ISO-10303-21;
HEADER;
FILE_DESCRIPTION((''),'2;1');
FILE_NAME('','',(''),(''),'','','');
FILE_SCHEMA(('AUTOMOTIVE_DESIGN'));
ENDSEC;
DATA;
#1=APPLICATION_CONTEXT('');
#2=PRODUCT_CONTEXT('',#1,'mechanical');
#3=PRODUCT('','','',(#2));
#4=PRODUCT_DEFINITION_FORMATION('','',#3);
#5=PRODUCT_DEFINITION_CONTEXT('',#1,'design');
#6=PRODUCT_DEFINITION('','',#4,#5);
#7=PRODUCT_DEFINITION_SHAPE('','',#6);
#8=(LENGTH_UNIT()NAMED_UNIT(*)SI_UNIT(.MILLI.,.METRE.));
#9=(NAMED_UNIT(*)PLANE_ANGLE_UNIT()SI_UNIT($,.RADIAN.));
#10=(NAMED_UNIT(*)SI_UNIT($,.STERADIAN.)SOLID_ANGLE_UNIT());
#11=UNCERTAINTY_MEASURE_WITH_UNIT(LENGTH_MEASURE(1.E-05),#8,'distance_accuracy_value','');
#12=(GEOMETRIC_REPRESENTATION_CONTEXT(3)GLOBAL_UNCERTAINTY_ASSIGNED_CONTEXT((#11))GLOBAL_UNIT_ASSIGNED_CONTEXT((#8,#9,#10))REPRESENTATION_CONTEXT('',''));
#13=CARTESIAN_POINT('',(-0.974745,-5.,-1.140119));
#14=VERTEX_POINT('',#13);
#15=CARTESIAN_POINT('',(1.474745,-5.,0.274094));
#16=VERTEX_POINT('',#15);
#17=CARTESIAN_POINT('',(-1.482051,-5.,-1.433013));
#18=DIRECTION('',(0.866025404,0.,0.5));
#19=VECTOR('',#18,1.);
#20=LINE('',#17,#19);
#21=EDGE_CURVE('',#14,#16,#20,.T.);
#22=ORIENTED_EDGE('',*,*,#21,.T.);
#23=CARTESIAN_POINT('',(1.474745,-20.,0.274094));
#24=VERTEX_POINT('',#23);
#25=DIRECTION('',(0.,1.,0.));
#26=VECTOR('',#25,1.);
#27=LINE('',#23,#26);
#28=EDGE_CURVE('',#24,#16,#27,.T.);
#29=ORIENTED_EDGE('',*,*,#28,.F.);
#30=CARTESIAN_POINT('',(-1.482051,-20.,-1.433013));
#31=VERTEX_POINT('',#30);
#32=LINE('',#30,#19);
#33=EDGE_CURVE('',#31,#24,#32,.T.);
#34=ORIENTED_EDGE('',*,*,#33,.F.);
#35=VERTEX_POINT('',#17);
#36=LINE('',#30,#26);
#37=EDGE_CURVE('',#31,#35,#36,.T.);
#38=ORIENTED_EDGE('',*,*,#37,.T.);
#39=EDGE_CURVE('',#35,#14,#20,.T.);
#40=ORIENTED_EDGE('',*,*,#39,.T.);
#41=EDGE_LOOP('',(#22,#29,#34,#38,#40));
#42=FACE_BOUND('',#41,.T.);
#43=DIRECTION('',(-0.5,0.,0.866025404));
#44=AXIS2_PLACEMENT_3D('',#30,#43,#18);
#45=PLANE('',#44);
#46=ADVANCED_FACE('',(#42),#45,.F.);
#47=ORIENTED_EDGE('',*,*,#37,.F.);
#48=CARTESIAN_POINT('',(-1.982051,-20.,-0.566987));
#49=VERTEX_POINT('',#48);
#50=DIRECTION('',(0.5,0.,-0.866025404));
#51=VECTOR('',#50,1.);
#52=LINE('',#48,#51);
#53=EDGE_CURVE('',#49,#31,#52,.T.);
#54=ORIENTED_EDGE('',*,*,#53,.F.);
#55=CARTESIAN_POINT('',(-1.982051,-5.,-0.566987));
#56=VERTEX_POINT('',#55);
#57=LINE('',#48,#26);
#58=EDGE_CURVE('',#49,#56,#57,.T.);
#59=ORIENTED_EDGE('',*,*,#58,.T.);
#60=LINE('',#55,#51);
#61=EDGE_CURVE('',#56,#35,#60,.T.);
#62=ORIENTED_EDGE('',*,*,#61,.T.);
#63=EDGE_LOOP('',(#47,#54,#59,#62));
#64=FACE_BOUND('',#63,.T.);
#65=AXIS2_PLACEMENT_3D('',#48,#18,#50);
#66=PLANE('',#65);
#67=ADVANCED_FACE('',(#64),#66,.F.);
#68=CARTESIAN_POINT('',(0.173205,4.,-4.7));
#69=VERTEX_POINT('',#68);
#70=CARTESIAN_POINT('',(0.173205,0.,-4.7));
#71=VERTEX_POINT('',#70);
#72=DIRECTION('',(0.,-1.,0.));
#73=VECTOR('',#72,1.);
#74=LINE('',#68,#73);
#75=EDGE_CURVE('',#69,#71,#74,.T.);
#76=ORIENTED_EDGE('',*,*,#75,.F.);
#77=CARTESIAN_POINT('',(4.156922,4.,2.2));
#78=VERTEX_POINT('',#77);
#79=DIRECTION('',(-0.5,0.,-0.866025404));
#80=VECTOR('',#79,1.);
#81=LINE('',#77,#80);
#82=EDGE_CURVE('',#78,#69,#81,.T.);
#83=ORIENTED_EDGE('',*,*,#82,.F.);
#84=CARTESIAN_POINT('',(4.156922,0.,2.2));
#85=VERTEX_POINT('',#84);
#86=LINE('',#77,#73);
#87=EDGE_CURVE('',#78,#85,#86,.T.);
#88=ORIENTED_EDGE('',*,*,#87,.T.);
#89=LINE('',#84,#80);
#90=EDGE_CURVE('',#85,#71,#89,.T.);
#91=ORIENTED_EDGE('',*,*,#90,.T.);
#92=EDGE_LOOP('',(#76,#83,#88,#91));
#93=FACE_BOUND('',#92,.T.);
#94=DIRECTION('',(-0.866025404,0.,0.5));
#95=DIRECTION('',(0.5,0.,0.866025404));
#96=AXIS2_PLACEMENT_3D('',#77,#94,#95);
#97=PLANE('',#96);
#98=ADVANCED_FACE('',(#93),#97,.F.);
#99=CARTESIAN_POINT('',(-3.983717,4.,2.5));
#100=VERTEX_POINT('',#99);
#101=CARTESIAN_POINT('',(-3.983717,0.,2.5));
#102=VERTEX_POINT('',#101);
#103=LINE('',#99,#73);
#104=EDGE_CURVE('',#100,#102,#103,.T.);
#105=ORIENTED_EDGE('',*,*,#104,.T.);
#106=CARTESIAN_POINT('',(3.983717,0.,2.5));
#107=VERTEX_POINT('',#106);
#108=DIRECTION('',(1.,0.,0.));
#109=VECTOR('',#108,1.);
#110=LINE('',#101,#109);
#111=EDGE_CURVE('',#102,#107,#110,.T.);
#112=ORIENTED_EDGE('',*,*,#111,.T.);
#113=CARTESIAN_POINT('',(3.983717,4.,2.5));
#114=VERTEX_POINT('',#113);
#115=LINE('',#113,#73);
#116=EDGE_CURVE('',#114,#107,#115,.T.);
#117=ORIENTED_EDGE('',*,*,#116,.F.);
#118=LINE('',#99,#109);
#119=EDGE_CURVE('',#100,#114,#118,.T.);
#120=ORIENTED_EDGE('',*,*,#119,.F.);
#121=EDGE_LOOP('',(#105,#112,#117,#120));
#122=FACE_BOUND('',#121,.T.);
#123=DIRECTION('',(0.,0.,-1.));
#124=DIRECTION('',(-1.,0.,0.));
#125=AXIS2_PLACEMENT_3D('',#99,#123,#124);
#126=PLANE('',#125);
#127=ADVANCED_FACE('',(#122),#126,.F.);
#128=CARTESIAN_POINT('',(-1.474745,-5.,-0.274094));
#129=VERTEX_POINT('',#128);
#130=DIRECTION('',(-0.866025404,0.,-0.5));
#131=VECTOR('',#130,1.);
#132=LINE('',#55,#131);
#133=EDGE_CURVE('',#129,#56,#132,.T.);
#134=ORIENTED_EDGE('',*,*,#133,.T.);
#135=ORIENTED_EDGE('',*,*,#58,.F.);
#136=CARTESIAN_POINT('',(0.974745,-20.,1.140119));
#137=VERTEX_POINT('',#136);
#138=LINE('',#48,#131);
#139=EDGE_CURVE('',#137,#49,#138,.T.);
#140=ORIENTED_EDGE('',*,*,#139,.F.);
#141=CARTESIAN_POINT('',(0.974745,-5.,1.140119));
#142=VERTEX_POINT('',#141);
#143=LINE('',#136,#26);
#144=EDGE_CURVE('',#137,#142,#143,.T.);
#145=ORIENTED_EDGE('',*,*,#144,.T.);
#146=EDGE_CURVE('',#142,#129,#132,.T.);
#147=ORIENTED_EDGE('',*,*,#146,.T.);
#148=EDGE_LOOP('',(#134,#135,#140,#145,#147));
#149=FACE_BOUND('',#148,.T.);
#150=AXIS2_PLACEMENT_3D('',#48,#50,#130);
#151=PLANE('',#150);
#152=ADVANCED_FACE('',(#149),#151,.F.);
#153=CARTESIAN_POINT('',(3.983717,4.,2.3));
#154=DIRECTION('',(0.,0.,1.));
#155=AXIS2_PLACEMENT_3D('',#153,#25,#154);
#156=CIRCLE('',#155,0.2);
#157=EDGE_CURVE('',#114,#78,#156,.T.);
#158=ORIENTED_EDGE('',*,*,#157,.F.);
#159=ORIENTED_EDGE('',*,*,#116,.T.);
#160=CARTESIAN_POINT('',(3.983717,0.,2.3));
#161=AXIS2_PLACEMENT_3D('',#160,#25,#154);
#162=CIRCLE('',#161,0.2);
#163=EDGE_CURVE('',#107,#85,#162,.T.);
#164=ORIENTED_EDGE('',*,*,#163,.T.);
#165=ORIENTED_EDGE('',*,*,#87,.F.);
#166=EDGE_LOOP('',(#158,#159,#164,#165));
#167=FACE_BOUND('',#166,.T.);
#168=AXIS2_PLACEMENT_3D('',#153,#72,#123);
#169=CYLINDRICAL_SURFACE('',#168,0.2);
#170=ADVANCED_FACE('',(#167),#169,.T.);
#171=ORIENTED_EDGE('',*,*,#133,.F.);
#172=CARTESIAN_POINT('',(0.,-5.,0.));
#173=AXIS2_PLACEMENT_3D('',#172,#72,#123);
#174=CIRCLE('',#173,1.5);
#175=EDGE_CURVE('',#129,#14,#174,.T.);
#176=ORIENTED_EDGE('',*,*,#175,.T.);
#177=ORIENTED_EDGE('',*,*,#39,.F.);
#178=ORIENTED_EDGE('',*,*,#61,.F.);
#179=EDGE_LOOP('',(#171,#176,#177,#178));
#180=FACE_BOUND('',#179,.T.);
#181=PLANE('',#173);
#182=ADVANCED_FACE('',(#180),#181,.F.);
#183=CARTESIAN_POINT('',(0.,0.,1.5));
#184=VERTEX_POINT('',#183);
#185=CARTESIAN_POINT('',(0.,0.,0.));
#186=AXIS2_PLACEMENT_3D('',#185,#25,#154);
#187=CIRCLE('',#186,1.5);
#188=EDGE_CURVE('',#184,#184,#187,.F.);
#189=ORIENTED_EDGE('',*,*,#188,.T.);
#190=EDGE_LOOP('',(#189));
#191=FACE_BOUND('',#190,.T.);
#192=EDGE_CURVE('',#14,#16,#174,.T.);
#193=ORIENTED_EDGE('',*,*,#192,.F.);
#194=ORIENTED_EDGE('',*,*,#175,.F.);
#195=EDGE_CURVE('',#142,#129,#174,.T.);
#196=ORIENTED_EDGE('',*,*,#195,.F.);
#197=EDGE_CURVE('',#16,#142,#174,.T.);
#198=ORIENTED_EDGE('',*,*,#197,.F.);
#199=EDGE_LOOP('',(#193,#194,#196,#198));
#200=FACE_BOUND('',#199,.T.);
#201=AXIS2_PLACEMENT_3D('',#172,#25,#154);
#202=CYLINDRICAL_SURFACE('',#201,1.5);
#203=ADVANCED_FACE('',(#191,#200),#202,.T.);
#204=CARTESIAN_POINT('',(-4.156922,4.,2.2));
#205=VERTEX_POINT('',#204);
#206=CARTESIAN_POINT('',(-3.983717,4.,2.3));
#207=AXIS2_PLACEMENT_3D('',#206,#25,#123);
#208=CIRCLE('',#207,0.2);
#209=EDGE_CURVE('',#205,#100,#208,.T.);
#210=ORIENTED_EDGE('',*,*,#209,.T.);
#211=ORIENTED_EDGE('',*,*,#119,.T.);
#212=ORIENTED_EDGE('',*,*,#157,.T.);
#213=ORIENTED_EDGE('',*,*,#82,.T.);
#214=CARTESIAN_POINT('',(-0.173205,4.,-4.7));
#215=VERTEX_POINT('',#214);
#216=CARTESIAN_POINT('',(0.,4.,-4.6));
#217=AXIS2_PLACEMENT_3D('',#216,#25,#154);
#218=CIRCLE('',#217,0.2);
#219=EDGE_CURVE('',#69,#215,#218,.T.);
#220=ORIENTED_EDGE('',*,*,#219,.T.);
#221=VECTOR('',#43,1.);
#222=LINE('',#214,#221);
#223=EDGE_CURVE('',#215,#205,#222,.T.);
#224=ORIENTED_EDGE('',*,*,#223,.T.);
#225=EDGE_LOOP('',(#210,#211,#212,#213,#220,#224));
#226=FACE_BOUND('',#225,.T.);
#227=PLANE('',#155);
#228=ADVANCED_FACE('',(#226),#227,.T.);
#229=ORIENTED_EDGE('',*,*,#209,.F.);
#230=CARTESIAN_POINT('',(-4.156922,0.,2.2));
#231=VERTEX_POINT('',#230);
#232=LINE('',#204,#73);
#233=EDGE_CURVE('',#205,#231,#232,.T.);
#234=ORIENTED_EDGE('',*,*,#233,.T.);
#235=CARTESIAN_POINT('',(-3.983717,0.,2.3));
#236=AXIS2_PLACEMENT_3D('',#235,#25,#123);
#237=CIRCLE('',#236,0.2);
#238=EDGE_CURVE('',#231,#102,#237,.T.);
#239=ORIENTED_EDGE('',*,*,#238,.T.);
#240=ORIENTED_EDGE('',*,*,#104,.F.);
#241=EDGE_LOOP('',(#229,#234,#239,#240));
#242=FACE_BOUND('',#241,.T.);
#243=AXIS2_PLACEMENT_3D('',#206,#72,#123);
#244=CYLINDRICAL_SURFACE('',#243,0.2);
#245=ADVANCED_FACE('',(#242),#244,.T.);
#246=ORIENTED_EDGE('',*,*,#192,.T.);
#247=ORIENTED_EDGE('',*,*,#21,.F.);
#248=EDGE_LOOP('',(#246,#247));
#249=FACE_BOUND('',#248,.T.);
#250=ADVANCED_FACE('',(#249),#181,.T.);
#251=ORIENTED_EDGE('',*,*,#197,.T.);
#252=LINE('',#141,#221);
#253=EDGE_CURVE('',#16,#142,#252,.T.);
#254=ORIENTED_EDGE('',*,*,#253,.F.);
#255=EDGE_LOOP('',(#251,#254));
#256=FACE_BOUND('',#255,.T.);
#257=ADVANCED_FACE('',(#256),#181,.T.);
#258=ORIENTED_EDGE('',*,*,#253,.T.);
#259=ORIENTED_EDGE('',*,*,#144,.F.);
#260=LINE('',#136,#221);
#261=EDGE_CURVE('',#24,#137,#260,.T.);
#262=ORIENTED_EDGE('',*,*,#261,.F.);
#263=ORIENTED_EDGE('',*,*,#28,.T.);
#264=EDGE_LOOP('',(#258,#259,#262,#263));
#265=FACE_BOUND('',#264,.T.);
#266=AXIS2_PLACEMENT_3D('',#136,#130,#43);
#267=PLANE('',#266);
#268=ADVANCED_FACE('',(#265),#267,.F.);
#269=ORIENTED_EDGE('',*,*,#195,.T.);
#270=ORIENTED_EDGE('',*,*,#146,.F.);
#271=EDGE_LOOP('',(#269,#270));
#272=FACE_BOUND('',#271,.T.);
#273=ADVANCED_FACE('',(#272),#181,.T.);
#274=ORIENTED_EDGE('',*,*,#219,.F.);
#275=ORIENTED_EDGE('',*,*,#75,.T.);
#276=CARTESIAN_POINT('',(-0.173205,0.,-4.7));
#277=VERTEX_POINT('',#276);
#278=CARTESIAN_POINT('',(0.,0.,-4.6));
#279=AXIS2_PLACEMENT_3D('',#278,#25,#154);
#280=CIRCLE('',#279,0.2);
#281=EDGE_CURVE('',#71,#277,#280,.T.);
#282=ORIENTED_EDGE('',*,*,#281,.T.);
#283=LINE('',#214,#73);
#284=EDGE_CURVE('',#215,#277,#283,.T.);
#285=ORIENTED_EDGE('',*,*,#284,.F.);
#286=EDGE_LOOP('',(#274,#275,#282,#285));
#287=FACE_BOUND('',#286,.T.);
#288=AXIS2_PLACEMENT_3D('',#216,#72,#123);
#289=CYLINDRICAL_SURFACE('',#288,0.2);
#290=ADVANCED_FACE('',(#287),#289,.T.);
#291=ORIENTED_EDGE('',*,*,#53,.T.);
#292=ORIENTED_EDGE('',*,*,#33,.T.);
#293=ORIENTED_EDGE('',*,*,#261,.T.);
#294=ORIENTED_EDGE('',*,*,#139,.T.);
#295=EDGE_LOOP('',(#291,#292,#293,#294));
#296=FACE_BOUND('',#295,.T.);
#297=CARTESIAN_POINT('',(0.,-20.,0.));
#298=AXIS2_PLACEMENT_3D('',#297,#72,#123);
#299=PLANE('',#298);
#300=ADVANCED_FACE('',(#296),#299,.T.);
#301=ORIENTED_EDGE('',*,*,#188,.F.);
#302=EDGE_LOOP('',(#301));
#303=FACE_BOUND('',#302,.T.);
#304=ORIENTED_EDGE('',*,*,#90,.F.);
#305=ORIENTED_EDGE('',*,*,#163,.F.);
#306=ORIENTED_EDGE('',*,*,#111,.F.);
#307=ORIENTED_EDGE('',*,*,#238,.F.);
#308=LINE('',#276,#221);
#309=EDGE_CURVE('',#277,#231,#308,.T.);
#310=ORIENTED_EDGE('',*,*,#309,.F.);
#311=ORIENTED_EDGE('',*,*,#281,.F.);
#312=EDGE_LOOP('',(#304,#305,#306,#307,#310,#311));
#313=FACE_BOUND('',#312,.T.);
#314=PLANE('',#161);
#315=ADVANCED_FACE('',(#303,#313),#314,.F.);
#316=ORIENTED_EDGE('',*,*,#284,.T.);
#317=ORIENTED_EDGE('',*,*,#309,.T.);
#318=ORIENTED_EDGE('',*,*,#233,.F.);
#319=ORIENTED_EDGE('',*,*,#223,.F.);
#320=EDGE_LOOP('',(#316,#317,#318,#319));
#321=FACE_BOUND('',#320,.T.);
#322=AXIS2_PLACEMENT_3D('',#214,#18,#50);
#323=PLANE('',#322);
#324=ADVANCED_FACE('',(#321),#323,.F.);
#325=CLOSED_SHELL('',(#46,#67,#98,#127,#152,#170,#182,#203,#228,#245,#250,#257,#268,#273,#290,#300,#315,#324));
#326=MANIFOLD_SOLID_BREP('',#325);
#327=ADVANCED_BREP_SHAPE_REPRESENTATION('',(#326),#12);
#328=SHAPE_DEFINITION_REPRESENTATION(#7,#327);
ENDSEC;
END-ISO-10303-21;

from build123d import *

# Parameters (mm, degrees)
EXTRUDE_1_DEPTH = 4
SKETCH_2_R      = 1.5
EXTRUDE_2_DEPTH = 5
EXTRUDE_3_DEPTH = 15


with BuildPart() as part:
    # 草图1 → 凸台-拉伸1 (new body)
    with BuildSketch(Plane(origin=(0, 0, 0), x_dir=(1, 0, 0), z_dir=(0, 1, 0))):
        with BuildLine():
            Line((-0.173205081, 4.7), (-4.156921938, -2.2))
            ThreePointArc((-4.156921938, -2.2), (-4.156921938, -2.4), (-3.983716857, -2.5))
            Line((-3.983716857, -2.5), (3.983716857, -2.5))
            ThreePointArc((3.983716857, -2.5), (4.156921938, -2.4), (4.156921938, -2.2))
            Line((4.156921938, -2.2), (0.173205081, 4.7))
            ThreePointArc((0.173205081, 4.7), (0, 4.8), (-0.173205081, 4.7))
        make_face()
    extrude(amount=EXTRUDE_1_DEPTH)

    # 草图2 → 凸台-拉伸2 (add)
    with BuildSketch(Plane.XZ):
        with Locations(Location((0, 0, 0), (0, 0, 90))):
            Circle(SKETCH_2_R)
    extrude(amount=EXTRUDE_2_DEPTH)

    # 草图3 → 凸台-拉伸3 (add)
    with BuildSketch(Plane.XZ.offset(5)):
        Polygon((-1.982050808, -0.566987298), (0.974744871, 1.140119483), (1.474744871, 0.274094079), (-1.482050808, -1.433012702), align=None)
    extrude(amount=EXTRUDE_3_DEPTH)


solid = part.part
